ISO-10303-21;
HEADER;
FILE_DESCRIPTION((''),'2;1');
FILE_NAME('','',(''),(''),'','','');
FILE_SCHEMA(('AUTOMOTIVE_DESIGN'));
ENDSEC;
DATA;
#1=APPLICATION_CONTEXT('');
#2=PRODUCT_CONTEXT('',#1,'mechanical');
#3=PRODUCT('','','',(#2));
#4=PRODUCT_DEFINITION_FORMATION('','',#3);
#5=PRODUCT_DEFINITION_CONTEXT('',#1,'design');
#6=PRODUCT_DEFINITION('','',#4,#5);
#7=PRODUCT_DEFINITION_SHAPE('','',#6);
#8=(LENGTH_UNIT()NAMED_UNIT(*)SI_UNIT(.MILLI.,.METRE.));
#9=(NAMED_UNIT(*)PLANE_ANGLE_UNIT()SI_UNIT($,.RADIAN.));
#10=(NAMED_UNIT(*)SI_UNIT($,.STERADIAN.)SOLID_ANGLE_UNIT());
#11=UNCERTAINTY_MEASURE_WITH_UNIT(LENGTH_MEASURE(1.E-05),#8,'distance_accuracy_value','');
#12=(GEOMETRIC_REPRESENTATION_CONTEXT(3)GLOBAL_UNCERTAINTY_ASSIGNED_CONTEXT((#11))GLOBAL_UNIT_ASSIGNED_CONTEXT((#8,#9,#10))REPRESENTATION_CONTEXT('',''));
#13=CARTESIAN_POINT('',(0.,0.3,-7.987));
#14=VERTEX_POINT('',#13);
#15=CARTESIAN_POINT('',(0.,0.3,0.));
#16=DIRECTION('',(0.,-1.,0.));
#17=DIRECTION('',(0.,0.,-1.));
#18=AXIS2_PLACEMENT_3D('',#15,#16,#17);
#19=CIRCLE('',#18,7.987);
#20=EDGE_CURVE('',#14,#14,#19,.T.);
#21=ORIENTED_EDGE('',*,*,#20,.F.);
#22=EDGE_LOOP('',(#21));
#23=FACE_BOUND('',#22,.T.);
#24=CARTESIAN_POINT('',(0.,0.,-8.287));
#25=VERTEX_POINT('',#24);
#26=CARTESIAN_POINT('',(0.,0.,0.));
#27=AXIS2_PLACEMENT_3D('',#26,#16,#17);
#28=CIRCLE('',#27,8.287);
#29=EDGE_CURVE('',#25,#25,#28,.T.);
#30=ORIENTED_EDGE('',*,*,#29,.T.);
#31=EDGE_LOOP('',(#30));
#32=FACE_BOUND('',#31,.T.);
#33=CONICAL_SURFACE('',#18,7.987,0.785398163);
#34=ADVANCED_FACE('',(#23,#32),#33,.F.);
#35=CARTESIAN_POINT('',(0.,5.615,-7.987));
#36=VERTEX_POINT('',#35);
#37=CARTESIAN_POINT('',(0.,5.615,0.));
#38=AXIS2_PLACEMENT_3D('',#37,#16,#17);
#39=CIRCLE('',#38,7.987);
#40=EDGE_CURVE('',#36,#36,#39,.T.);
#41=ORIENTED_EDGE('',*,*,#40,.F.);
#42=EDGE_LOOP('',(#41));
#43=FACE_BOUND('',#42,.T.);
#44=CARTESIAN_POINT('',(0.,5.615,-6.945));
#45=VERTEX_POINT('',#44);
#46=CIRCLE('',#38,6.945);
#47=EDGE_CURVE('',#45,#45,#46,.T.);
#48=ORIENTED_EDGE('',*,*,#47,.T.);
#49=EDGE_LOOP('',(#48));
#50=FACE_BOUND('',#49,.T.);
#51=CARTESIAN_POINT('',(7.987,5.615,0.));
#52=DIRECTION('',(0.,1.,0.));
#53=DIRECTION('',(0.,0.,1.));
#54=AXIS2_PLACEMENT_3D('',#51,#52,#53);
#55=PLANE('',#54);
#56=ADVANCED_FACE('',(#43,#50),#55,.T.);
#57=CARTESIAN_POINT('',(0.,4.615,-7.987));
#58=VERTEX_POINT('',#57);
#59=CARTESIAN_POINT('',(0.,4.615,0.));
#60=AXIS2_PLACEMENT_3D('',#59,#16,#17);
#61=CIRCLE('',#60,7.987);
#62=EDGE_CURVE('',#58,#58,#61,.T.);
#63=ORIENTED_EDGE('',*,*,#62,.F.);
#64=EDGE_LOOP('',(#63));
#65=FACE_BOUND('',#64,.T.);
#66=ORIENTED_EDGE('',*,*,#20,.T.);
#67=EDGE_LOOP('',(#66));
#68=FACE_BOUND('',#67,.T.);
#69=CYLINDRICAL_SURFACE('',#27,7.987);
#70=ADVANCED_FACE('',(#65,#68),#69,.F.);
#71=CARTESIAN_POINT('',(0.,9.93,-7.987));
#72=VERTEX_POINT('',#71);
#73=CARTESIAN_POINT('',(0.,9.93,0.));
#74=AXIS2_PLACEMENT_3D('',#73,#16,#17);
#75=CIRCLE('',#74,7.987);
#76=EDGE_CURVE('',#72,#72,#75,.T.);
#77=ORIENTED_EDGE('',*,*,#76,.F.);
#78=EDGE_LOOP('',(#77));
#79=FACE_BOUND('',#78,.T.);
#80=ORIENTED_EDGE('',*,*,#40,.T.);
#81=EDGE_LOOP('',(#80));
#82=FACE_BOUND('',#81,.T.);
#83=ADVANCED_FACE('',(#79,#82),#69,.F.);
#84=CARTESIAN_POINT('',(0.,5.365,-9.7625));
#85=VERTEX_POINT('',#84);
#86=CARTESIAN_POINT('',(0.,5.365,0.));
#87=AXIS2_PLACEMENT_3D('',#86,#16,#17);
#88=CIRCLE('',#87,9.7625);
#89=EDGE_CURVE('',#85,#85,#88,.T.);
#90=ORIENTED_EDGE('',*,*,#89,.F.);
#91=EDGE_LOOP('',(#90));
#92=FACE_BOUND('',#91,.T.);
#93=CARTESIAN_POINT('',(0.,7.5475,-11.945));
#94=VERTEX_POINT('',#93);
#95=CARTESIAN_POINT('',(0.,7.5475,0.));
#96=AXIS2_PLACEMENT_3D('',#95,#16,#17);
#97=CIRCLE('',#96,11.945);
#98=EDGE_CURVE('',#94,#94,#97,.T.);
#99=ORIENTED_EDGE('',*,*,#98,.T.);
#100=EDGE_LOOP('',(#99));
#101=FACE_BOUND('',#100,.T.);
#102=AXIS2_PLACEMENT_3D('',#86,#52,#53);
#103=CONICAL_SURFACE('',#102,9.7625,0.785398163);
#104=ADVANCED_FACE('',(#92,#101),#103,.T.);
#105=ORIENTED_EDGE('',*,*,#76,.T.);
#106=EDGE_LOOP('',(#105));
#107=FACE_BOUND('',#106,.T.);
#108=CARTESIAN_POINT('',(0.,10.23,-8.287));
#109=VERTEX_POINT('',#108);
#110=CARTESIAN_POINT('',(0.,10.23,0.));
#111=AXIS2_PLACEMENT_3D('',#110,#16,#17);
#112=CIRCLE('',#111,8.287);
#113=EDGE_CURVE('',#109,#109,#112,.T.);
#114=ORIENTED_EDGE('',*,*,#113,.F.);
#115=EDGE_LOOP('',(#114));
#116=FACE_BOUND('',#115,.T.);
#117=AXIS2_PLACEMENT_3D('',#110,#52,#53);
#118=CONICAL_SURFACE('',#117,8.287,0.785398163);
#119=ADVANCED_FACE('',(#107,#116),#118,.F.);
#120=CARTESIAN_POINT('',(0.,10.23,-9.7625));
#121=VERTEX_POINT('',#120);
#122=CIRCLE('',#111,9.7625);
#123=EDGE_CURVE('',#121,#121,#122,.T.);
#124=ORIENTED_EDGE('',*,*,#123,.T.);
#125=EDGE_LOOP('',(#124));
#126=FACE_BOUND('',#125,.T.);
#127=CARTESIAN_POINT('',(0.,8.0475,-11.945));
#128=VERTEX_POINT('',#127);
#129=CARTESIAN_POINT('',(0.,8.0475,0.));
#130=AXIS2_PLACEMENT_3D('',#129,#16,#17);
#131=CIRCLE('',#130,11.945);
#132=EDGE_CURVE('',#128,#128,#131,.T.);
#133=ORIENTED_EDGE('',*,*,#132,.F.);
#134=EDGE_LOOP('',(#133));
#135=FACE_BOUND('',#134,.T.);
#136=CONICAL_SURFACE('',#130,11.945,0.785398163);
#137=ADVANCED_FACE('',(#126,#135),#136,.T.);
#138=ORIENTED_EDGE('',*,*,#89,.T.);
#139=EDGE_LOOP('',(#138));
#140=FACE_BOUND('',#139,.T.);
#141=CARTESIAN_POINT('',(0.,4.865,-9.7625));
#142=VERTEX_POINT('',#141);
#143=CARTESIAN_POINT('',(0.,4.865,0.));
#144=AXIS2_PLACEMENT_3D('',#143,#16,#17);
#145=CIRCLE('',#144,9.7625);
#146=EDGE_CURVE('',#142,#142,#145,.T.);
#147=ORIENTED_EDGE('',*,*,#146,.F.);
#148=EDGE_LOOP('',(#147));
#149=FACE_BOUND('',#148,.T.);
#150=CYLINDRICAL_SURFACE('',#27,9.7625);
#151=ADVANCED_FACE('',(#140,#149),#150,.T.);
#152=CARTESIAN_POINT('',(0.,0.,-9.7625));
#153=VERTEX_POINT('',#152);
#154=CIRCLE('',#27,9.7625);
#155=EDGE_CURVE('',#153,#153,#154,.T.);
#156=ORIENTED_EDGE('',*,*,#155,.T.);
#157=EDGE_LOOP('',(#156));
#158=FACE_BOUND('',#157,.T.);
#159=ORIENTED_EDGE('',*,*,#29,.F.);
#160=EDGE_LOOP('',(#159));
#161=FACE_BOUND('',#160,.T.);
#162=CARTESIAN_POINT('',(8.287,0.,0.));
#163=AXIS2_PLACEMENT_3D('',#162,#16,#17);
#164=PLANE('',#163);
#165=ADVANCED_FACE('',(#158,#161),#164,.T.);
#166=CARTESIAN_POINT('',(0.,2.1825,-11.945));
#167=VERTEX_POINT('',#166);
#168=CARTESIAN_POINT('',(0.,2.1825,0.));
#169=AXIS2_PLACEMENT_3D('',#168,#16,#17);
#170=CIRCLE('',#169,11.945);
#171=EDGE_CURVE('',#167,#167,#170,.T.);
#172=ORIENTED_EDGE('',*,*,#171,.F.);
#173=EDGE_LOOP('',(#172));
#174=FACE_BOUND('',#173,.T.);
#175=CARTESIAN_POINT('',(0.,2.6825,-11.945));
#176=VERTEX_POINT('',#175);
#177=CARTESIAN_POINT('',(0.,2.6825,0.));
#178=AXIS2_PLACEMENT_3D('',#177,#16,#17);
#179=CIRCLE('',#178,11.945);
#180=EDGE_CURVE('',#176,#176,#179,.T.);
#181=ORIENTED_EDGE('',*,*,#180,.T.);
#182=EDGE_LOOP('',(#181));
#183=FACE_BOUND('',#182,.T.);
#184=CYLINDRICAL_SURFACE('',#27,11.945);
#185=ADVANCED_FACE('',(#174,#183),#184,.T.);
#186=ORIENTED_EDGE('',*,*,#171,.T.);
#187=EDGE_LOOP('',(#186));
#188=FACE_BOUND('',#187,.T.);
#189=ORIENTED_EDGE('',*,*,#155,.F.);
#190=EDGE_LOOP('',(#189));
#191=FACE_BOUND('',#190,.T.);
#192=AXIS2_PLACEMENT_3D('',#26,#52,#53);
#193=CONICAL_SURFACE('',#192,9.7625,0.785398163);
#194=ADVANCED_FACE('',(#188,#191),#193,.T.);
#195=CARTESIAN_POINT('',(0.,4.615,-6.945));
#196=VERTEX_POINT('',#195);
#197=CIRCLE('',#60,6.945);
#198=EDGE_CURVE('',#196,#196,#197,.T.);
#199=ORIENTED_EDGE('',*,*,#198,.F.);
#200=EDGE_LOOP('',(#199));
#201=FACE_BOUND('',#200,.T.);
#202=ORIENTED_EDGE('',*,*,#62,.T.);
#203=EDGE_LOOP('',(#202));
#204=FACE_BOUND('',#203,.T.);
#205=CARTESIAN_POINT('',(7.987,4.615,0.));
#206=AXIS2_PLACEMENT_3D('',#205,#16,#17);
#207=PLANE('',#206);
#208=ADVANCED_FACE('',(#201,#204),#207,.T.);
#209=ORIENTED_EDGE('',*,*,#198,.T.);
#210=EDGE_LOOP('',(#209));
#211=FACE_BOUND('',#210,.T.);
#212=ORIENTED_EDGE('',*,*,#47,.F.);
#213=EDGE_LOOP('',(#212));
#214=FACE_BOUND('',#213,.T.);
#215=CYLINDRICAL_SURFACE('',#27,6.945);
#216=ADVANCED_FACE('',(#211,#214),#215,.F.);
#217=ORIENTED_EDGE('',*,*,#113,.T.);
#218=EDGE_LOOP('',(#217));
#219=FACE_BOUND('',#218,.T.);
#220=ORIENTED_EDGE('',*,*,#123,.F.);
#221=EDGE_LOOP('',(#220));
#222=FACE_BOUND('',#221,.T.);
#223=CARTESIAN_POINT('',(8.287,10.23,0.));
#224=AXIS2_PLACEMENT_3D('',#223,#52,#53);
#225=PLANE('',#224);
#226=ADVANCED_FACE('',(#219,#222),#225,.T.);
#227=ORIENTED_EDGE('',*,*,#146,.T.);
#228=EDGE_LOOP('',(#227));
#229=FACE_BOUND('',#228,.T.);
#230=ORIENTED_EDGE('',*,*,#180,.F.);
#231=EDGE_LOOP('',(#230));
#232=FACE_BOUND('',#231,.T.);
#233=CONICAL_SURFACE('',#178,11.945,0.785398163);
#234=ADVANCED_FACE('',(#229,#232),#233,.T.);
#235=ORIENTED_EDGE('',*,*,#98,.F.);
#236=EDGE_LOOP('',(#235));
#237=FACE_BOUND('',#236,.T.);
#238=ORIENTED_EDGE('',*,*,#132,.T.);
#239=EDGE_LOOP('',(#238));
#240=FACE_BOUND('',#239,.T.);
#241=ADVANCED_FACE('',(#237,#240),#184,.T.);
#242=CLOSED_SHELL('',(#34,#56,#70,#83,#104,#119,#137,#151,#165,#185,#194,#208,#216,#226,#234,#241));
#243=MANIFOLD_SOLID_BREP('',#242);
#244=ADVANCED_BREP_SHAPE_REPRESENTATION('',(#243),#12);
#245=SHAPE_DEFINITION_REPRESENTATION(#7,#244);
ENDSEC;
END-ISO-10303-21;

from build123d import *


with BuildPart() as part:
    # Sketch1 → Revolution1 (revolve)
    with BuildSketch(Plane.XY):
        Polygon((7.987, 9.93), (7.987, 5.615), (6.945, 5.615), (6.945, 4.615), (7.987, 4.615), (7.987, 0.3), (8.287, 0), (9.7625, 0), (11.945, 2.1825), (11.945, 2.6825), (9.7625, 4.865), (9.7625, 5.365), (11.945, 7.5475), (11.945, 8.0475), (9.7625, 10.23), (8.287, 10.23), align=None)
    revolve(axis=Axis((0, 0, 0), (0, 1, 0)))


solid = part.part
